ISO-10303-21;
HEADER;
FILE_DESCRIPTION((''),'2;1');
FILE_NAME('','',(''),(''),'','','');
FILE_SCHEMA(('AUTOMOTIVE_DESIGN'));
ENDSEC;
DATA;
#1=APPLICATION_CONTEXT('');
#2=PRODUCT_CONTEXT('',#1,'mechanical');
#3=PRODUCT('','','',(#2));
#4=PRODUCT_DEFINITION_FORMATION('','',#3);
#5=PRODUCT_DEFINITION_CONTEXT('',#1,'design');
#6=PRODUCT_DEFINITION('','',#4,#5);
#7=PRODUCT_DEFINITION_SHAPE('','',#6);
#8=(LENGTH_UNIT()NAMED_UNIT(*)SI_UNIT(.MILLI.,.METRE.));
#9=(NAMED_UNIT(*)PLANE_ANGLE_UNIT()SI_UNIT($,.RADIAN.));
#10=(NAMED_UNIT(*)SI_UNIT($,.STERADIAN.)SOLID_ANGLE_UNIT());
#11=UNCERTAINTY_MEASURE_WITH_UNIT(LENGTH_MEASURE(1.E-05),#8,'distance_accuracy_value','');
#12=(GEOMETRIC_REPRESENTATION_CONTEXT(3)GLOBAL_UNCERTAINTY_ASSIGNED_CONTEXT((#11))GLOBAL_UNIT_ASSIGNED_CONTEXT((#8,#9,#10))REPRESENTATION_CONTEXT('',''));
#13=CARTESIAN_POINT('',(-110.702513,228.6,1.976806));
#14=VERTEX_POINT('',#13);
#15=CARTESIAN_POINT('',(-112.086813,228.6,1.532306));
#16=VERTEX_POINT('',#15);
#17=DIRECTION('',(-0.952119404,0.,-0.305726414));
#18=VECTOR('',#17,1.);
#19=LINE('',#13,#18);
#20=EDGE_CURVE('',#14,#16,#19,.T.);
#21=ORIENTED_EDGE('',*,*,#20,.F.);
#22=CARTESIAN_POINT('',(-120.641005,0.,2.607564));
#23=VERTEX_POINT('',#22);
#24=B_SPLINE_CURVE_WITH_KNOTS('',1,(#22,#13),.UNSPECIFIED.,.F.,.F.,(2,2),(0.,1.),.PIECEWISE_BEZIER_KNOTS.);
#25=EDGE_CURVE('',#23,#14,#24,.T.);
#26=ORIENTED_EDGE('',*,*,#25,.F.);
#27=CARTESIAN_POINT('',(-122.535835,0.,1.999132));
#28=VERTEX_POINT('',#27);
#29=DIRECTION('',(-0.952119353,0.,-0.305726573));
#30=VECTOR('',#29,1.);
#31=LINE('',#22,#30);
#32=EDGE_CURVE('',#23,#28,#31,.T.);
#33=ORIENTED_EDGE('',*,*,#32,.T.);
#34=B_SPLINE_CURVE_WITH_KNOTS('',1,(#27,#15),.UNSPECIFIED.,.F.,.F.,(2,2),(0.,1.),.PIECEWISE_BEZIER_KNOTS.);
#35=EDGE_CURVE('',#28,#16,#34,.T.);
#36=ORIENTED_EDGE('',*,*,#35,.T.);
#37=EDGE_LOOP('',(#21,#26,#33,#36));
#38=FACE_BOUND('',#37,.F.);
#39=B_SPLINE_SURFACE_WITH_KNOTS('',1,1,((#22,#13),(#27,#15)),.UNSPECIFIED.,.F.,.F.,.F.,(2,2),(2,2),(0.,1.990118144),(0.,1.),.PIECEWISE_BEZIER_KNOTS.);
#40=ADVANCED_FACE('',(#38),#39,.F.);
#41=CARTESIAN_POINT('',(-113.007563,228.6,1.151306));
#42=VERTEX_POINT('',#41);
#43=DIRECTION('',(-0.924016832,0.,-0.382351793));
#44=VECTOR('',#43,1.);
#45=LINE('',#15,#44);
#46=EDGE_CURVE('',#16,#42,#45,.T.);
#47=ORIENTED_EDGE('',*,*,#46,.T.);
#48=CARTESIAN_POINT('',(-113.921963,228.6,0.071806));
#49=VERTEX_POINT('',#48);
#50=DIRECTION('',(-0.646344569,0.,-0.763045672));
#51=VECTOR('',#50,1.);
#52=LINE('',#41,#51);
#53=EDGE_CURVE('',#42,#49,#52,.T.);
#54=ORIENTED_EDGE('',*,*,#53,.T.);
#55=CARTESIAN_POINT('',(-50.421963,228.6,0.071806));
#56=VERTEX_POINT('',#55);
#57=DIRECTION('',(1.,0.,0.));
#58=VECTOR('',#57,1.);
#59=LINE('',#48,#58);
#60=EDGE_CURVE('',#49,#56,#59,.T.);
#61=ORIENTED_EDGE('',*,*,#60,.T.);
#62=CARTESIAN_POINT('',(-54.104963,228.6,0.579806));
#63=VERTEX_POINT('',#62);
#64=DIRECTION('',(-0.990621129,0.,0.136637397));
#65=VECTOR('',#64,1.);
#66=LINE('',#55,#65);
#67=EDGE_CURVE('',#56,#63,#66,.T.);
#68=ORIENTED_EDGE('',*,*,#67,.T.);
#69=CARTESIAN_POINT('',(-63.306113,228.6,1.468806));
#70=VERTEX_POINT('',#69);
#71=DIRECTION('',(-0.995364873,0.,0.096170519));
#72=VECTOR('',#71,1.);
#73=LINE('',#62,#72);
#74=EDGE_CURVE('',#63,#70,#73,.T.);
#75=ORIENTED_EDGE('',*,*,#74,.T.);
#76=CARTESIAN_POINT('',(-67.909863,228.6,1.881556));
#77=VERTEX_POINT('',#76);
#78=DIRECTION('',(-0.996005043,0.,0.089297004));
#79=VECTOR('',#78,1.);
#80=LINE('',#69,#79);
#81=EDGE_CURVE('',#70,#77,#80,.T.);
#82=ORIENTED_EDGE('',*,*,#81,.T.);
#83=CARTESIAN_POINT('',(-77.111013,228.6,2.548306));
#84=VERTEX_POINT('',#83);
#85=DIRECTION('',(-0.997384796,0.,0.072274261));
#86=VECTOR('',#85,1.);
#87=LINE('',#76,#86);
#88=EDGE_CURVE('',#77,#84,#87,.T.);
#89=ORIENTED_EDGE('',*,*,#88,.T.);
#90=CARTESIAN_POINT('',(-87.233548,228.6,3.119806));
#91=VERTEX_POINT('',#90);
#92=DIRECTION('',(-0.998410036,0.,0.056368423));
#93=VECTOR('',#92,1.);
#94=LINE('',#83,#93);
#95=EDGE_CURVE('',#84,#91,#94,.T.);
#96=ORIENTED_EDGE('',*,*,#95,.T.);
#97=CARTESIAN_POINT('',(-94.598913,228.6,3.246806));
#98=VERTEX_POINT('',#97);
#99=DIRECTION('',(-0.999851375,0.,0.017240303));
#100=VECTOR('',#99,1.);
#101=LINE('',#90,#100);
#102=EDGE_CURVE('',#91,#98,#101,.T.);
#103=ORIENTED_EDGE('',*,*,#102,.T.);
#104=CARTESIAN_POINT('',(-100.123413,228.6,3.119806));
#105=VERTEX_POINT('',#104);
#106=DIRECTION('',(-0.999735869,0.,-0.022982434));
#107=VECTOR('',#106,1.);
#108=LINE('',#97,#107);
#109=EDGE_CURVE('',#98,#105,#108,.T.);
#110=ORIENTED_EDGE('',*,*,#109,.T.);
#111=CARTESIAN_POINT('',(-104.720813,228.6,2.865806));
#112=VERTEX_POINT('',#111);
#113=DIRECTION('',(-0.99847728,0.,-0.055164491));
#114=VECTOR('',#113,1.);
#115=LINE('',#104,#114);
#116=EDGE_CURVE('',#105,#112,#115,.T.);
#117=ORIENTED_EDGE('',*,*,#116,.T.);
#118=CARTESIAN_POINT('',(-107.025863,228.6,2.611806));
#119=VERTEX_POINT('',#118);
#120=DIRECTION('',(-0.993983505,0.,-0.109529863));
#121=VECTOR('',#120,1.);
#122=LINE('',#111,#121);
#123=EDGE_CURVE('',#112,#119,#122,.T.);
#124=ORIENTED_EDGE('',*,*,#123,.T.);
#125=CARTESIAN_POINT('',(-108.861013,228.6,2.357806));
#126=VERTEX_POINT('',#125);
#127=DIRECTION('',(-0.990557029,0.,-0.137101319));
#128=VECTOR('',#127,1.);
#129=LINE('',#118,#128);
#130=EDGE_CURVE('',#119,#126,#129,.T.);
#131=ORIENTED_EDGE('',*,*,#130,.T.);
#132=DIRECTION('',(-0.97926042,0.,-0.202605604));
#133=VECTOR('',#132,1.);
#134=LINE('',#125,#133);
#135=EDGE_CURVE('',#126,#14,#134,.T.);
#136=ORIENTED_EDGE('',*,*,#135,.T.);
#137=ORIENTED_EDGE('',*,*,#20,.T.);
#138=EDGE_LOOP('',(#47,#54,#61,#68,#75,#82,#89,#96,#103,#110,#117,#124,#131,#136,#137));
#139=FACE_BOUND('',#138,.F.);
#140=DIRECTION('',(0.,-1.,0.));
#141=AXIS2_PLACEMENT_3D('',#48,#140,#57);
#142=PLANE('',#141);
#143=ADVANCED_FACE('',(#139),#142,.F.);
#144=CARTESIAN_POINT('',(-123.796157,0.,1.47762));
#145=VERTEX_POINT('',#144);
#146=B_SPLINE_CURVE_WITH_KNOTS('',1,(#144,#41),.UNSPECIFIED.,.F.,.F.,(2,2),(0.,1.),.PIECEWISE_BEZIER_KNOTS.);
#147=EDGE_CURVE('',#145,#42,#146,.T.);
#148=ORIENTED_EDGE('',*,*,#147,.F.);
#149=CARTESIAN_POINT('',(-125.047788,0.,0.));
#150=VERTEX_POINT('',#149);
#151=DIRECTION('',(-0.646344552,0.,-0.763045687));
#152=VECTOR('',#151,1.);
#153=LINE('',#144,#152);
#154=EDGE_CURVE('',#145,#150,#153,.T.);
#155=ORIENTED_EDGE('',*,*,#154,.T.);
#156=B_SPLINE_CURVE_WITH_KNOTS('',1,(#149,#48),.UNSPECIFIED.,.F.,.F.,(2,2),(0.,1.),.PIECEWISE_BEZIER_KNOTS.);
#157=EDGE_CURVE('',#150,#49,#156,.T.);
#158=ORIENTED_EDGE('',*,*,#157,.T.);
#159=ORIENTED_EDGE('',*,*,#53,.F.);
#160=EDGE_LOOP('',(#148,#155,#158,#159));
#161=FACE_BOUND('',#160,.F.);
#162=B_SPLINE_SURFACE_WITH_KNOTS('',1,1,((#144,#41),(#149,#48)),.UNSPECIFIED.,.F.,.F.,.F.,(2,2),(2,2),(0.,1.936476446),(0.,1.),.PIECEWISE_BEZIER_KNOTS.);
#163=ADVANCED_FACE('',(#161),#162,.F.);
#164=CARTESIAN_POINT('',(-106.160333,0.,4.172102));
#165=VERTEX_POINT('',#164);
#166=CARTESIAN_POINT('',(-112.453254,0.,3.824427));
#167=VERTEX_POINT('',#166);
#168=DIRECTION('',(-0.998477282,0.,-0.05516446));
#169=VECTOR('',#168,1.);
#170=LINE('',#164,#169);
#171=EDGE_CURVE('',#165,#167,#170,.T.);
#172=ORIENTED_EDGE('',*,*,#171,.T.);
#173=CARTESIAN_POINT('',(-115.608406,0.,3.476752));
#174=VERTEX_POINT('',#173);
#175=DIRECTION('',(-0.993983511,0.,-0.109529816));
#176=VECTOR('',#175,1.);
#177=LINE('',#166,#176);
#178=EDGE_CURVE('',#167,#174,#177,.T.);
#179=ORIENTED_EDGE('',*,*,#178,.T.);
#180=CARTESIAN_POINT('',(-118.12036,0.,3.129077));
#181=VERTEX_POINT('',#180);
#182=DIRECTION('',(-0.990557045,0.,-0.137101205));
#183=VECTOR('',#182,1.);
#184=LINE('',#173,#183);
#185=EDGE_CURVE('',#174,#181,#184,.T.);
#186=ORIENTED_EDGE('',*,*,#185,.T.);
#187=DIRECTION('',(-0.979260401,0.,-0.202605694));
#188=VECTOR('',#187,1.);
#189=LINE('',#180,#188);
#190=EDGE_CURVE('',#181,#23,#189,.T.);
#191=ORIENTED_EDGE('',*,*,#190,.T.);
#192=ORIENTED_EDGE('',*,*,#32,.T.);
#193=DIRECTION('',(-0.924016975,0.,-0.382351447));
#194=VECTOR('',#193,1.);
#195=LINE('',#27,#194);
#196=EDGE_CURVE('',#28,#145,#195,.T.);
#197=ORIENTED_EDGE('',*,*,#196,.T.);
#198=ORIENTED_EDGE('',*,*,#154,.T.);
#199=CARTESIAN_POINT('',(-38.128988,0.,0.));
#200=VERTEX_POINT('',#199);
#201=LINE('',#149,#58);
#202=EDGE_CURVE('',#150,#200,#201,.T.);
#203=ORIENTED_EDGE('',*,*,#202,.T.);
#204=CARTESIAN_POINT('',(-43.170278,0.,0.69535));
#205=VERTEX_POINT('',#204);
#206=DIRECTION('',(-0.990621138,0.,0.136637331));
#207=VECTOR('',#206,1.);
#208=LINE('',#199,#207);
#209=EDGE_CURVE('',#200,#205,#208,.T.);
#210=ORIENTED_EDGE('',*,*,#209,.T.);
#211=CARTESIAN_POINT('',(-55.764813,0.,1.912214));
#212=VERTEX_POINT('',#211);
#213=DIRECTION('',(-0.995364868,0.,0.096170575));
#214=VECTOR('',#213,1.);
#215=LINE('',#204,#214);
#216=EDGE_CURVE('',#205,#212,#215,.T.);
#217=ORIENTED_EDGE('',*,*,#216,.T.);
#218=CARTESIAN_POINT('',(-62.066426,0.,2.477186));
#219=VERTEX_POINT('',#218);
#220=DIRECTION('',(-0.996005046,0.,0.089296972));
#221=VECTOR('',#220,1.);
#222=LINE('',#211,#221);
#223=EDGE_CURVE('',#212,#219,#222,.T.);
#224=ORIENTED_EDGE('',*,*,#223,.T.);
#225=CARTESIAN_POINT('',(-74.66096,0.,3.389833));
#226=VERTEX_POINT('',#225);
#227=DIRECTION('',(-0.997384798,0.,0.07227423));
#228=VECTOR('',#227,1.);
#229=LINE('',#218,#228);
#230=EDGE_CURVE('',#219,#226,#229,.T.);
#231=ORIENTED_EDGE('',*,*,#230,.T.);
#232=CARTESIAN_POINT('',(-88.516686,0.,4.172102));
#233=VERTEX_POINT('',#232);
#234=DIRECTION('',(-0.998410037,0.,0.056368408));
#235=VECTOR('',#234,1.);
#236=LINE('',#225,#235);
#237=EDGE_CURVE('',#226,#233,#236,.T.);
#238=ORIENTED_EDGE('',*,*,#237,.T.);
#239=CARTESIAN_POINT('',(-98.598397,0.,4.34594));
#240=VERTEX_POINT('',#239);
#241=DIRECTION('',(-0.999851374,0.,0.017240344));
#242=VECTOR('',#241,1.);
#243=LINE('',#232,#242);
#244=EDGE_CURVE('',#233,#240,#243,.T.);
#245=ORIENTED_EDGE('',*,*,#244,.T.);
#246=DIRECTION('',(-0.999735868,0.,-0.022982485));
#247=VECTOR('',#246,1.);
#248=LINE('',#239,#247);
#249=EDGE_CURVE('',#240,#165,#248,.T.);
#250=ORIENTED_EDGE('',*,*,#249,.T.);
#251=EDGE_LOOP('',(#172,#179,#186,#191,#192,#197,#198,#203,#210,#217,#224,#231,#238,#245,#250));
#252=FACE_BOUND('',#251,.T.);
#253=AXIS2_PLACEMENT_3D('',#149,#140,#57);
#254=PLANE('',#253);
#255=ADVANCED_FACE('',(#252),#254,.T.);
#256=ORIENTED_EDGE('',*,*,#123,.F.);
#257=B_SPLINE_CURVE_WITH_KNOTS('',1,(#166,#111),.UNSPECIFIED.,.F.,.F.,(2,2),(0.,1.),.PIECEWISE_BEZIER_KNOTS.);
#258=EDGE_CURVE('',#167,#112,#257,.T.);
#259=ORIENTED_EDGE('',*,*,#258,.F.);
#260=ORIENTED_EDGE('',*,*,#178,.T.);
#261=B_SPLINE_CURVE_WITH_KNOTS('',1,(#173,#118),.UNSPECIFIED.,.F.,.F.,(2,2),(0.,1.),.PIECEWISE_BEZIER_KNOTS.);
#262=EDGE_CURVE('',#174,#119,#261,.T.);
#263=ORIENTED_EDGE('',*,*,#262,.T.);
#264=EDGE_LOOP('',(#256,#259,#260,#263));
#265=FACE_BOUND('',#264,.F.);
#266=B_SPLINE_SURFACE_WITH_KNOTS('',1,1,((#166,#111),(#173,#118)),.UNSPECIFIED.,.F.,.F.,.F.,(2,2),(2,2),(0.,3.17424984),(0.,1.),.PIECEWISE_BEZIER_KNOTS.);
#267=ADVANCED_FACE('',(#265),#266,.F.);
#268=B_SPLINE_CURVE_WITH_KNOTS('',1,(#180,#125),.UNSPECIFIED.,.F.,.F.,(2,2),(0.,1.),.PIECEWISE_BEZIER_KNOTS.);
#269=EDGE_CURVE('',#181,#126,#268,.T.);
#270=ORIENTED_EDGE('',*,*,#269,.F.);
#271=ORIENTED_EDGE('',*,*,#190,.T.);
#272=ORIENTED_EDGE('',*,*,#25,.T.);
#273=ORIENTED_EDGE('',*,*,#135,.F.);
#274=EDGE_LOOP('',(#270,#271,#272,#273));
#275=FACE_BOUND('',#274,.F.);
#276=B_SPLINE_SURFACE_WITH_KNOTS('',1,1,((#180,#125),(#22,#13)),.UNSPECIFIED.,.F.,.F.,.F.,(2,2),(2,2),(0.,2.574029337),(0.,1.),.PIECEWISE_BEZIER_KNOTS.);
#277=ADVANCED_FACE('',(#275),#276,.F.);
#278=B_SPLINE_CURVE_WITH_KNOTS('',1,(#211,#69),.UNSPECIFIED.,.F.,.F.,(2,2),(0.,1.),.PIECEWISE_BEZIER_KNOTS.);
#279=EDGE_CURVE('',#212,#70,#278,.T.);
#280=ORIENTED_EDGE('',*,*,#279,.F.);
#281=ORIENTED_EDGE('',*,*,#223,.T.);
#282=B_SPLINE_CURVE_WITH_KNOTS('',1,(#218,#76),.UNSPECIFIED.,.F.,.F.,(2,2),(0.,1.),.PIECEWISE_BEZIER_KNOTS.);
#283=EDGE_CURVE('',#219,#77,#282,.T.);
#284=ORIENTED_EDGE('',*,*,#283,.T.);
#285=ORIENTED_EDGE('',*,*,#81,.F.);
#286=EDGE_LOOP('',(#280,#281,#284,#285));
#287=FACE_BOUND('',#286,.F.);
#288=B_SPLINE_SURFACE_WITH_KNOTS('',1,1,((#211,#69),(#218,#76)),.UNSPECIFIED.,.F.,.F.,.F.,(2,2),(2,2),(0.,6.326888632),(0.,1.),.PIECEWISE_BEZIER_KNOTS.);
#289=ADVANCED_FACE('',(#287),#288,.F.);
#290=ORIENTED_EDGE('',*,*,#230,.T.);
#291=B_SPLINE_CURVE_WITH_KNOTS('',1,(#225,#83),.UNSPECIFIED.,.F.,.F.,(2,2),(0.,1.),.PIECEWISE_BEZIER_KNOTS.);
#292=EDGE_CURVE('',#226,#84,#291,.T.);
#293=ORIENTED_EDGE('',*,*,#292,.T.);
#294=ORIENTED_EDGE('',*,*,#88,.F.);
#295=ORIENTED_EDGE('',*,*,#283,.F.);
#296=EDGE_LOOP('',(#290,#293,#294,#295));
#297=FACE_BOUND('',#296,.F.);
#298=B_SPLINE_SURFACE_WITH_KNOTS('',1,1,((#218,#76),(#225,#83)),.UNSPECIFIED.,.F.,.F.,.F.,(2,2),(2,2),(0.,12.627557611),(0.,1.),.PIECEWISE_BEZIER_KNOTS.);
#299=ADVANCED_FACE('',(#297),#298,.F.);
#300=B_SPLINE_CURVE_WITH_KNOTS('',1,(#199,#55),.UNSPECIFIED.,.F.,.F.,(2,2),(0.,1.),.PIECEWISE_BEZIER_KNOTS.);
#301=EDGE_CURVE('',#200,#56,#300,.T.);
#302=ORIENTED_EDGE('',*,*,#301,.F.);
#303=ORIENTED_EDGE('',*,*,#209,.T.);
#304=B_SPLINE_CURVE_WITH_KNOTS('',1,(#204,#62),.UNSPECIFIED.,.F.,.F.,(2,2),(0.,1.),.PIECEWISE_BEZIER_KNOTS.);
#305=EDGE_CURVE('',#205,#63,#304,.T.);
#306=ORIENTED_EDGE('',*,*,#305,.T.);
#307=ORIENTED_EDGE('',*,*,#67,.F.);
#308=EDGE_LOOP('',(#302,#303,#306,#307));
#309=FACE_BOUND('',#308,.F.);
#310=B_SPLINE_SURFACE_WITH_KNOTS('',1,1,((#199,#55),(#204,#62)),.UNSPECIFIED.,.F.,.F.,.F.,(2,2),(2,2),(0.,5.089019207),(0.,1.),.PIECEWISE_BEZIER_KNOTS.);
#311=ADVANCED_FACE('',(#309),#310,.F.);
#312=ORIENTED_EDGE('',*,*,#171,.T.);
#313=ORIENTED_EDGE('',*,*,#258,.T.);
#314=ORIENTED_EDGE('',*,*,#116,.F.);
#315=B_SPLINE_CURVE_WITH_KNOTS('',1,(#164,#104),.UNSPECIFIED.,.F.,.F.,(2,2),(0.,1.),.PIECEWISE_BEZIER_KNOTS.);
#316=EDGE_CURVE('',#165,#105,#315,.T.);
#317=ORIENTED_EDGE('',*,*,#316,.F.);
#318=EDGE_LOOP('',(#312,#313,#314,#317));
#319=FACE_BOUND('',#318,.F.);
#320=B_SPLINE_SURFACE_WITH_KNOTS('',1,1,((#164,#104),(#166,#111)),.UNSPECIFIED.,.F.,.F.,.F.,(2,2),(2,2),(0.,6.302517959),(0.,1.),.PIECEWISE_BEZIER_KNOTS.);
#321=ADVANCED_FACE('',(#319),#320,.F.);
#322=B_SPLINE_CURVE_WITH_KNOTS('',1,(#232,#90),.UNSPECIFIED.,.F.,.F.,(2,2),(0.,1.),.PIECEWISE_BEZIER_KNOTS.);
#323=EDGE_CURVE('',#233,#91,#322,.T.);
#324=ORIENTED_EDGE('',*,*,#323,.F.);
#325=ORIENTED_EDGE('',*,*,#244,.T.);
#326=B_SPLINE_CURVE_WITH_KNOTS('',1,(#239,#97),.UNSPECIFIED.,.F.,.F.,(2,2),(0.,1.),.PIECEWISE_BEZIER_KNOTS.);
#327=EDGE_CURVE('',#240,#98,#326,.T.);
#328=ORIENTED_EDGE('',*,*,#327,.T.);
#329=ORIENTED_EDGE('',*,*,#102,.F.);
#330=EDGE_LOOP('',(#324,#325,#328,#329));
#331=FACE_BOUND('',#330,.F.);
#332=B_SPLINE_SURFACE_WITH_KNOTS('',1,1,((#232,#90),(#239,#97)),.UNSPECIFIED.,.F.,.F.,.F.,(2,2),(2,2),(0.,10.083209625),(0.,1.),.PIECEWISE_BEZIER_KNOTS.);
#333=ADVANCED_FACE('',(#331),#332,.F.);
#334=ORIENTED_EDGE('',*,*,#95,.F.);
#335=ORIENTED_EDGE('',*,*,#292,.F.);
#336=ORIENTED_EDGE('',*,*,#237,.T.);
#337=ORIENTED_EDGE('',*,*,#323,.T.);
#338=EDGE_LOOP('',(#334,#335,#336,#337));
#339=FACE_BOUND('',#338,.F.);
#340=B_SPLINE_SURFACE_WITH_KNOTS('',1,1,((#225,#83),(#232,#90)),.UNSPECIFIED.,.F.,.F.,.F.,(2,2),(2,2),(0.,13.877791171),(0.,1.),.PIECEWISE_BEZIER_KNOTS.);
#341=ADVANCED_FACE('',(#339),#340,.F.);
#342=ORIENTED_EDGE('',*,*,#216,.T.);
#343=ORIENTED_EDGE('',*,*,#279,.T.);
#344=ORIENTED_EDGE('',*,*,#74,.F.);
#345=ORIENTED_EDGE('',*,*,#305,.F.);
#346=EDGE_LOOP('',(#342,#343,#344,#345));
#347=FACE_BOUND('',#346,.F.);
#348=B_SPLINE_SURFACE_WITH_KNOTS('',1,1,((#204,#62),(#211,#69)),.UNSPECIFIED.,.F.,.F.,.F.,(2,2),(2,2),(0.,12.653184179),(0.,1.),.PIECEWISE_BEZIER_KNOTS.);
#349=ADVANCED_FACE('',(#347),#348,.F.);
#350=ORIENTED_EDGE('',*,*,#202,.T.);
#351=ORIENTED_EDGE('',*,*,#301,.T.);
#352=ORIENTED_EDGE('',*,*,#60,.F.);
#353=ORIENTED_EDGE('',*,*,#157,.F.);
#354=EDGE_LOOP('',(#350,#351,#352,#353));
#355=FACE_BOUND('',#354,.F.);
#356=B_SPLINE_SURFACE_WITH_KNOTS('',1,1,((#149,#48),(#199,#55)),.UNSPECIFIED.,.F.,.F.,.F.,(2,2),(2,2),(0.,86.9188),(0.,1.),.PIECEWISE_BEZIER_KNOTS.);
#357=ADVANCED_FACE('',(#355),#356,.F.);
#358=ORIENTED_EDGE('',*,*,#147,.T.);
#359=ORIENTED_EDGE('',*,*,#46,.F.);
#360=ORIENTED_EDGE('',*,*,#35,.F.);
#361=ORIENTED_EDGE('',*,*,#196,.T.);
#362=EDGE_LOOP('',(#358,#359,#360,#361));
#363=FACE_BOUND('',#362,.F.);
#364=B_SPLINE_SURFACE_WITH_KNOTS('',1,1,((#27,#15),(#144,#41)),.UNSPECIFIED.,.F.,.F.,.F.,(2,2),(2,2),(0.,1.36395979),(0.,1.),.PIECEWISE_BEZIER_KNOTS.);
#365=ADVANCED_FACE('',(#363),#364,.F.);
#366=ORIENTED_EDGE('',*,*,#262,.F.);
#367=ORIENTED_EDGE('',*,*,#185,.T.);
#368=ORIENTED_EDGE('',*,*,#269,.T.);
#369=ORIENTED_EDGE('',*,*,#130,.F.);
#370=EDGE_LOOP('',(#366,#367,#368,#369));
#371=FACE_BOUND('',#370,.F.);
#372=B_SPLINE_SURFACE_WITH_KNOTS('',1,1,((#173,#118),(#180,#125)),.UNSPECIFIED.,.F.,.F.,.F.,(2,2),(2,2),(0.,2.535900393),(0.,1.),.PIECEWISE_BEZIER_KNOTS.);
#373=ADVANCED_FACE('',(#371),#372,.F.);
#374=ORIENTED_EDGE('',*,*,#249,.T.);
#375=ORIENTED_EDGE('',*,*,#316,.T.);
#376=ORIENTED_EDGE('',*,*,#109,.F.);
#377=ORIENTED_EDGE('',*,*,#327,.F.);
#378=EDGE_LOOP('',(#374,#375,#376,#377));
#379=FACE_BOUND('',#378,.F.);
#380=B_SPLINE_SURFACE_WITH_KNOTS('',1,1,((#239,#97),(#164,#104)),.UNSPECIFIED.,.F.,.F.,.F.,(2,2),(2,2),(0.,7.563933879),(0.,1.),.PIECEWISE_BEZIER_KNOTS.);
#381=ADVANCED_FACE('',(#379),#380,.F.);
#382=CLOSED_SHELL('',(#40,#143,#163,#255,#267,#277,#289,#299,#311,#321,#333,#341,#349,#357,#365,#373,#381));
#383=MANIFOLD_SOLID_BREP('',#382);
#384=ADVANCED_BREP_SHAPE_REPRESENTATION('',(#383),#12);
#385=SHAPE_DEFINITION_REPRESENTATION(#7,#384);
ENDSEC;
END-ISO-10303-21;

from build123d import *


with BuildPart() as f3:
    # F1 (on Front) → F3 section 0
    with BuildSketch(Plane.XZ):
        Polygon((-125.047788, 0), (-38.128988, 0), (-43.170278, 0.69535), (-55.764813, 1.912214), (-62.066426, 2.477186), (-74.66096, 3.389833), (-88.516686, 4.172102), (-98.598397, 4.34594), (-106.160333, 4.172102), (-112.453254, 3.824427), (-115.608406, 3.476752), (-118.12036, 3.129077), (-120.641005, 2.607564), (-122.535835, 1.999132), (-123.796157, 1.47762), align=None)
    # F2 (on offset) → F3 section 1
    with BuildSketch(Plane.XZ.offset(-228.6)):
        Polygon((-113.007563, 1.151306), (-113.921963, 0.071806), (-50.421963, 0.071806), (-54.104963, 0.579806), (-63.306113, 1.468806), (-67.909863, 1.881556), (-77.111013, 2.548306), (-87.233548, 3.119806), (-94.598913, 3.246806), (-100.123413, 3.119806), (-104.720813, 2.865806), (-107.025863, 2.611806), (-108.861013, 2.357806), (-110.702513, 1.976806), (-112.086813, 1.532306), align=None)
    loft()


solid = f3.part
